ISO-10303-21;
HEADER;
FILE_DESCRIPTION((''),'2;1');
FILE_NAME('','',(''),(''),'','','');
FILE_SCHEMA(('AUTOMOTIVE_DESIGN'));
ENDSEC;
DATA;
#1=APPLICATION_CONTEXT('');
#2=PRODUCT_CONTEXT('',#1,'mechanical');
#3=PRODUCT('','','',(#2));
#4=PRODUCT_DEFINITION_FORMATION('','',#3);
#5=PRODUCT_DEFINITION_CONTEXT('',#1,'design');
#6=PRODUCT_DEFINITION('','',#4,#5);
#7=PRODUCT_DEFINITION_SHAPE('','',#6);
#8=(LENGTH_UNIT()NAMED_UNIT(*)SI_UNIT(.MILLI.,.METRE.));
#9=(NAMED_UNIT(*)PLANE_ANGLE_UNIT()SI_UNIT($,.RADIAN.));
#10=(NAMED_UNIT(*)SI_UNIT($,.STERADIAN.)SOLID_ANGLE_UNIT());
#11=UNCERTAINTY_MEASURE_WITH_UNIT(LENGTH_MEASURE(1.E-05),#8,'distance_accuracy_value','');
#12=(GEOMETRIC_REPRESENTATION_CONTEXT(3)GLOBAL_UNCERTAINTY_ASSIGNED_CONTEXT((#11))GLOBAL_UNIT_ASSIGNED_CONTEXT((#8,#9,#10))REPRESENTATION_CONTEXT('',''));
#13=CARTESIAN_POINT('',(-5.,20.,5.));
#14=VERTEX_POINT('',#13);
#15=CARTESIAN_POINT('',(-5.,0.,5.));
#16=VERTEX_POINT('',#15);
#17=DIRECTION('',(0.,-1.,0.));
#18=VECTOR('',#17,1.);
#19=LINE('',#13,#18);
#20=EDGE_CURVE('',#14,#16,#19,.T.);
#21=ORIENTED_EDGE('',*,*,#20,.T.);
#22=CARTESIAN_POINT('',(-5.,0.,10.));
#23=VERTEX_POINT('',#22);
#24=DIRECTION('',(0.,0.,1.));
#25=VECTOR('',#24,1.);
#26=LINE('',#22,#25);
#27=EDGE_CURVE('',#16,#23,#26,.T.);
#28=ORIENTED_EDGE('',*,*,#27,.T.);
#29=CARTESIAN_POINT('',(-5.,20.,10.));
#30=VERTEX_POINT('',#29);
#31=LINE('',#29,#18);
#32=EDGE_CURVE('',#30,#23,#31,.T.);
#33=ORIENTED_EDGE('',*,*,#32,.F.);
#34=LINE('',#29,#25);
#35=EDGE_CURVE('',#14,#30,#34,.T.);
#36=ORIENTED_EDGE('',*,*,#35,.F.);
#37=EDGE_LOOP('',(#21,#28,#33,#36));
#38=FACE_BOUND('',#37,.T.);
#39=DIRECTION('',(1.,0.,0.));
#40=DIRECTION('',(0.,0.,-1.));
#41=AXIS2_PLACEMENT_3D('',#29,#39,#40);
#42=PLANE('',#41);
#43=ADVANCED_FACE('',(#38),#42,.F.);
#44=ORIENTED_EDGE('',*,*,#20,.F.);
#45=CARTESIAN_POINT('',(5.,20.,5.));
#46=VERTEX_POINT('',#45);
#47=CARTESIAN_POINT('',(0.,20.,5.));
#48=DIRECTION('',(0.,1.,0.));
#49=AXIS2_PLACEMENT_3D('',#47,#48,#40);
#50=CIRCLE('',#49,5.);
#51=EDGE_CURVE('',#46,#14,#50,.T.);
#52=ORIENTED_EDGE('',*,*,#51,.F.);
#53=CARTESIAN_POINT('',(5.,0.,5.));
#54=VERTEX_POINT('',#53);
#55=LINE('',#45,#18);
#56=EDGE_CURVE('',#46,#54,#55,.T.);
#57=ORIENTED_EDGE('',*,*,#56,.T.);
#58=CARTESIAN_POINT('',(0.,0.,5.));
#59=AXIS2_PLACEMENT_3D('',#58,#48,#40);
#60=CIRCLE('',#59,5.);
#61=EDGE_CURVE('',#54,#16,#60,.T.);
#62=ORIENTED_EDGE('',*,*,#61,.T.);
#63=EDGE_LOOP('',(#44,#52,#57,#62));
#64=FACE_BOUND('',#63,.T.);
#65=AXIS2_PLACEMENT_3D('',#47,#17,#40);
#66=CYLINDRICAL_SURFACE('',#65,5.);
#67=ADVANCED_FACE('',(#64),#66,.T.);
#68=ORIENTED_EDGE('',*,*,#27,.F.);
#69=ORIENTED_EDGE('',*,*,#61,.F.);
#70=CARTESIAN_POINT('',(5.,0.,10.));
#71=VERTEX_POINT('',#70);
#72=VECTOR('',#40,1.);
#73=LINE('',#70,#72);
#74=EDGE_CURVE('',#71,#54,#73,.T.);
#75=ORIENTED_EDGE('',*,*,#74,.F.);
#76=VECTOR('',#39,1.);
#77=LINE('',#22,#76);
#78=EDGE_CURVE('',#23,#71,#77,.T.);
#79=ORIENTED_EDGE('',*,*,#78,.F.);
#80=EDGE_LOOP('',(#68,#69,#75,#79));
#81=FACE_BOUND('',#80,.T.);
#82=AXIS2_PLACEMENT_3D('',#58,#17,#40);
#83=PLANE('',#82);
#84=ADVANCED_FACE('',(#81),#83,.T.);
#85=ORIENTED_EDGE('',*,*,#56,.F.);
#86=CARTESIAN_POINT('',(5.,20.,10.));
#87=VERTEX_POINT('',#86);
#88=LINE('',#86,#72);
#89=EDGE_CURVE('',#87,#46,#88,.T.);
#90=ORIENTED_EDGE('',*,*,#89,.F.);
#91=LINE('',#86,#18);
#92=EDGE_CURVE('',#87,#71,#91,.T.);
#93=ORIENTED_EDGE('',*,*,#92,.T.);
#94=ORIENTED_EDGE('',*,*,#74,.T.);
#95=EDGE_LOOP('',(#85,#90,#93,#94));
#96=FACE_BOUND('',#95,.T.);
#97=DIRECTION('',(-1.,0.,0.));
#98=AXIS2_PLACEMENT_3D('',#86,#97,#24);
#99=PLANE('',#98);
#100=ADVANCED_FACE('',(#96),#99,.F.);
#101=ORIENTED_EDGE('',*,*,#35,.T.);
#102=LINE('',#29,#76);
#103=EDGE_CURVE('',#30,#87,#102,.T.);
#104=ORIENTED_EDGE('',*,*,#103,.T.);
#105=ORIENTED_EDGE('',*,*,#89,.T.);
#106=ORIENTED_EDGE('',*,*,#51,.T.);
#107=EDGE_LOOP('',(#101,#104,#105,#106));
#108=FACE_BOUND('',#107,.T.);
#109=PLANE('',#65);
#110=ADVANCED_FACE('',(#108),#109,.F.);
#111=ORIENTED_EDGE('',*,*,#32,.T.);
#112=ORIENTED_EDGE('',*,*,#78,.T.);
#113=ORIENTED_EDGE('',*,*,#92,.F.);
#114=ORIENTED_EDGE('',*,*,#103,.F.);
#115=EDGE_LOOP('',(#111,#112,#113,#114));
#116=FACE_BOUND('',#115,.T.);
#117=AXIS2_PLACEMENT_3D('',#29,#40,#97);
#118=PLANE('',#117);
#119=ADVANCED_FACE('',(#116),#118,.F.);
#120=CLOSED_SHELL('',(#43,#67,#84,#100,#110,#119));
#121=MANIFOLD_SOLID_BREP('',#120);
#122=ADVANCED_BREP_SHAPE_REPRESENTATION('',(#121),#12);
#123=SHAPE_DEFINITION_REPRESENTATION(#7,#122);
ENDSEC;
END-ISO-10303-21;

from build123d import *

# Parameters (mm, degrees)
BOSS_EXTRUDE1_DEPTH = 20


with BuildPart() as part:
    # Sketch1 → Boss-Extrude1 (new body)
    with BuildSketch(Plane(origin=(0, 0, 0), x_dir=(1, 0, 0), z_dir=(0, 1, 0))):
        with BuildLine():
            Line((-5, -10), (5, -10))
            Line((5, -10), (5, -5))
            ThreePointArc((5, -5), (0, 0), (-5, -5))
            Line((-5, -5), (-5, -10))
        make_face()
    extrude(amount=BOSS_EXTRUDE1_DEPTH)


solid = part.part
